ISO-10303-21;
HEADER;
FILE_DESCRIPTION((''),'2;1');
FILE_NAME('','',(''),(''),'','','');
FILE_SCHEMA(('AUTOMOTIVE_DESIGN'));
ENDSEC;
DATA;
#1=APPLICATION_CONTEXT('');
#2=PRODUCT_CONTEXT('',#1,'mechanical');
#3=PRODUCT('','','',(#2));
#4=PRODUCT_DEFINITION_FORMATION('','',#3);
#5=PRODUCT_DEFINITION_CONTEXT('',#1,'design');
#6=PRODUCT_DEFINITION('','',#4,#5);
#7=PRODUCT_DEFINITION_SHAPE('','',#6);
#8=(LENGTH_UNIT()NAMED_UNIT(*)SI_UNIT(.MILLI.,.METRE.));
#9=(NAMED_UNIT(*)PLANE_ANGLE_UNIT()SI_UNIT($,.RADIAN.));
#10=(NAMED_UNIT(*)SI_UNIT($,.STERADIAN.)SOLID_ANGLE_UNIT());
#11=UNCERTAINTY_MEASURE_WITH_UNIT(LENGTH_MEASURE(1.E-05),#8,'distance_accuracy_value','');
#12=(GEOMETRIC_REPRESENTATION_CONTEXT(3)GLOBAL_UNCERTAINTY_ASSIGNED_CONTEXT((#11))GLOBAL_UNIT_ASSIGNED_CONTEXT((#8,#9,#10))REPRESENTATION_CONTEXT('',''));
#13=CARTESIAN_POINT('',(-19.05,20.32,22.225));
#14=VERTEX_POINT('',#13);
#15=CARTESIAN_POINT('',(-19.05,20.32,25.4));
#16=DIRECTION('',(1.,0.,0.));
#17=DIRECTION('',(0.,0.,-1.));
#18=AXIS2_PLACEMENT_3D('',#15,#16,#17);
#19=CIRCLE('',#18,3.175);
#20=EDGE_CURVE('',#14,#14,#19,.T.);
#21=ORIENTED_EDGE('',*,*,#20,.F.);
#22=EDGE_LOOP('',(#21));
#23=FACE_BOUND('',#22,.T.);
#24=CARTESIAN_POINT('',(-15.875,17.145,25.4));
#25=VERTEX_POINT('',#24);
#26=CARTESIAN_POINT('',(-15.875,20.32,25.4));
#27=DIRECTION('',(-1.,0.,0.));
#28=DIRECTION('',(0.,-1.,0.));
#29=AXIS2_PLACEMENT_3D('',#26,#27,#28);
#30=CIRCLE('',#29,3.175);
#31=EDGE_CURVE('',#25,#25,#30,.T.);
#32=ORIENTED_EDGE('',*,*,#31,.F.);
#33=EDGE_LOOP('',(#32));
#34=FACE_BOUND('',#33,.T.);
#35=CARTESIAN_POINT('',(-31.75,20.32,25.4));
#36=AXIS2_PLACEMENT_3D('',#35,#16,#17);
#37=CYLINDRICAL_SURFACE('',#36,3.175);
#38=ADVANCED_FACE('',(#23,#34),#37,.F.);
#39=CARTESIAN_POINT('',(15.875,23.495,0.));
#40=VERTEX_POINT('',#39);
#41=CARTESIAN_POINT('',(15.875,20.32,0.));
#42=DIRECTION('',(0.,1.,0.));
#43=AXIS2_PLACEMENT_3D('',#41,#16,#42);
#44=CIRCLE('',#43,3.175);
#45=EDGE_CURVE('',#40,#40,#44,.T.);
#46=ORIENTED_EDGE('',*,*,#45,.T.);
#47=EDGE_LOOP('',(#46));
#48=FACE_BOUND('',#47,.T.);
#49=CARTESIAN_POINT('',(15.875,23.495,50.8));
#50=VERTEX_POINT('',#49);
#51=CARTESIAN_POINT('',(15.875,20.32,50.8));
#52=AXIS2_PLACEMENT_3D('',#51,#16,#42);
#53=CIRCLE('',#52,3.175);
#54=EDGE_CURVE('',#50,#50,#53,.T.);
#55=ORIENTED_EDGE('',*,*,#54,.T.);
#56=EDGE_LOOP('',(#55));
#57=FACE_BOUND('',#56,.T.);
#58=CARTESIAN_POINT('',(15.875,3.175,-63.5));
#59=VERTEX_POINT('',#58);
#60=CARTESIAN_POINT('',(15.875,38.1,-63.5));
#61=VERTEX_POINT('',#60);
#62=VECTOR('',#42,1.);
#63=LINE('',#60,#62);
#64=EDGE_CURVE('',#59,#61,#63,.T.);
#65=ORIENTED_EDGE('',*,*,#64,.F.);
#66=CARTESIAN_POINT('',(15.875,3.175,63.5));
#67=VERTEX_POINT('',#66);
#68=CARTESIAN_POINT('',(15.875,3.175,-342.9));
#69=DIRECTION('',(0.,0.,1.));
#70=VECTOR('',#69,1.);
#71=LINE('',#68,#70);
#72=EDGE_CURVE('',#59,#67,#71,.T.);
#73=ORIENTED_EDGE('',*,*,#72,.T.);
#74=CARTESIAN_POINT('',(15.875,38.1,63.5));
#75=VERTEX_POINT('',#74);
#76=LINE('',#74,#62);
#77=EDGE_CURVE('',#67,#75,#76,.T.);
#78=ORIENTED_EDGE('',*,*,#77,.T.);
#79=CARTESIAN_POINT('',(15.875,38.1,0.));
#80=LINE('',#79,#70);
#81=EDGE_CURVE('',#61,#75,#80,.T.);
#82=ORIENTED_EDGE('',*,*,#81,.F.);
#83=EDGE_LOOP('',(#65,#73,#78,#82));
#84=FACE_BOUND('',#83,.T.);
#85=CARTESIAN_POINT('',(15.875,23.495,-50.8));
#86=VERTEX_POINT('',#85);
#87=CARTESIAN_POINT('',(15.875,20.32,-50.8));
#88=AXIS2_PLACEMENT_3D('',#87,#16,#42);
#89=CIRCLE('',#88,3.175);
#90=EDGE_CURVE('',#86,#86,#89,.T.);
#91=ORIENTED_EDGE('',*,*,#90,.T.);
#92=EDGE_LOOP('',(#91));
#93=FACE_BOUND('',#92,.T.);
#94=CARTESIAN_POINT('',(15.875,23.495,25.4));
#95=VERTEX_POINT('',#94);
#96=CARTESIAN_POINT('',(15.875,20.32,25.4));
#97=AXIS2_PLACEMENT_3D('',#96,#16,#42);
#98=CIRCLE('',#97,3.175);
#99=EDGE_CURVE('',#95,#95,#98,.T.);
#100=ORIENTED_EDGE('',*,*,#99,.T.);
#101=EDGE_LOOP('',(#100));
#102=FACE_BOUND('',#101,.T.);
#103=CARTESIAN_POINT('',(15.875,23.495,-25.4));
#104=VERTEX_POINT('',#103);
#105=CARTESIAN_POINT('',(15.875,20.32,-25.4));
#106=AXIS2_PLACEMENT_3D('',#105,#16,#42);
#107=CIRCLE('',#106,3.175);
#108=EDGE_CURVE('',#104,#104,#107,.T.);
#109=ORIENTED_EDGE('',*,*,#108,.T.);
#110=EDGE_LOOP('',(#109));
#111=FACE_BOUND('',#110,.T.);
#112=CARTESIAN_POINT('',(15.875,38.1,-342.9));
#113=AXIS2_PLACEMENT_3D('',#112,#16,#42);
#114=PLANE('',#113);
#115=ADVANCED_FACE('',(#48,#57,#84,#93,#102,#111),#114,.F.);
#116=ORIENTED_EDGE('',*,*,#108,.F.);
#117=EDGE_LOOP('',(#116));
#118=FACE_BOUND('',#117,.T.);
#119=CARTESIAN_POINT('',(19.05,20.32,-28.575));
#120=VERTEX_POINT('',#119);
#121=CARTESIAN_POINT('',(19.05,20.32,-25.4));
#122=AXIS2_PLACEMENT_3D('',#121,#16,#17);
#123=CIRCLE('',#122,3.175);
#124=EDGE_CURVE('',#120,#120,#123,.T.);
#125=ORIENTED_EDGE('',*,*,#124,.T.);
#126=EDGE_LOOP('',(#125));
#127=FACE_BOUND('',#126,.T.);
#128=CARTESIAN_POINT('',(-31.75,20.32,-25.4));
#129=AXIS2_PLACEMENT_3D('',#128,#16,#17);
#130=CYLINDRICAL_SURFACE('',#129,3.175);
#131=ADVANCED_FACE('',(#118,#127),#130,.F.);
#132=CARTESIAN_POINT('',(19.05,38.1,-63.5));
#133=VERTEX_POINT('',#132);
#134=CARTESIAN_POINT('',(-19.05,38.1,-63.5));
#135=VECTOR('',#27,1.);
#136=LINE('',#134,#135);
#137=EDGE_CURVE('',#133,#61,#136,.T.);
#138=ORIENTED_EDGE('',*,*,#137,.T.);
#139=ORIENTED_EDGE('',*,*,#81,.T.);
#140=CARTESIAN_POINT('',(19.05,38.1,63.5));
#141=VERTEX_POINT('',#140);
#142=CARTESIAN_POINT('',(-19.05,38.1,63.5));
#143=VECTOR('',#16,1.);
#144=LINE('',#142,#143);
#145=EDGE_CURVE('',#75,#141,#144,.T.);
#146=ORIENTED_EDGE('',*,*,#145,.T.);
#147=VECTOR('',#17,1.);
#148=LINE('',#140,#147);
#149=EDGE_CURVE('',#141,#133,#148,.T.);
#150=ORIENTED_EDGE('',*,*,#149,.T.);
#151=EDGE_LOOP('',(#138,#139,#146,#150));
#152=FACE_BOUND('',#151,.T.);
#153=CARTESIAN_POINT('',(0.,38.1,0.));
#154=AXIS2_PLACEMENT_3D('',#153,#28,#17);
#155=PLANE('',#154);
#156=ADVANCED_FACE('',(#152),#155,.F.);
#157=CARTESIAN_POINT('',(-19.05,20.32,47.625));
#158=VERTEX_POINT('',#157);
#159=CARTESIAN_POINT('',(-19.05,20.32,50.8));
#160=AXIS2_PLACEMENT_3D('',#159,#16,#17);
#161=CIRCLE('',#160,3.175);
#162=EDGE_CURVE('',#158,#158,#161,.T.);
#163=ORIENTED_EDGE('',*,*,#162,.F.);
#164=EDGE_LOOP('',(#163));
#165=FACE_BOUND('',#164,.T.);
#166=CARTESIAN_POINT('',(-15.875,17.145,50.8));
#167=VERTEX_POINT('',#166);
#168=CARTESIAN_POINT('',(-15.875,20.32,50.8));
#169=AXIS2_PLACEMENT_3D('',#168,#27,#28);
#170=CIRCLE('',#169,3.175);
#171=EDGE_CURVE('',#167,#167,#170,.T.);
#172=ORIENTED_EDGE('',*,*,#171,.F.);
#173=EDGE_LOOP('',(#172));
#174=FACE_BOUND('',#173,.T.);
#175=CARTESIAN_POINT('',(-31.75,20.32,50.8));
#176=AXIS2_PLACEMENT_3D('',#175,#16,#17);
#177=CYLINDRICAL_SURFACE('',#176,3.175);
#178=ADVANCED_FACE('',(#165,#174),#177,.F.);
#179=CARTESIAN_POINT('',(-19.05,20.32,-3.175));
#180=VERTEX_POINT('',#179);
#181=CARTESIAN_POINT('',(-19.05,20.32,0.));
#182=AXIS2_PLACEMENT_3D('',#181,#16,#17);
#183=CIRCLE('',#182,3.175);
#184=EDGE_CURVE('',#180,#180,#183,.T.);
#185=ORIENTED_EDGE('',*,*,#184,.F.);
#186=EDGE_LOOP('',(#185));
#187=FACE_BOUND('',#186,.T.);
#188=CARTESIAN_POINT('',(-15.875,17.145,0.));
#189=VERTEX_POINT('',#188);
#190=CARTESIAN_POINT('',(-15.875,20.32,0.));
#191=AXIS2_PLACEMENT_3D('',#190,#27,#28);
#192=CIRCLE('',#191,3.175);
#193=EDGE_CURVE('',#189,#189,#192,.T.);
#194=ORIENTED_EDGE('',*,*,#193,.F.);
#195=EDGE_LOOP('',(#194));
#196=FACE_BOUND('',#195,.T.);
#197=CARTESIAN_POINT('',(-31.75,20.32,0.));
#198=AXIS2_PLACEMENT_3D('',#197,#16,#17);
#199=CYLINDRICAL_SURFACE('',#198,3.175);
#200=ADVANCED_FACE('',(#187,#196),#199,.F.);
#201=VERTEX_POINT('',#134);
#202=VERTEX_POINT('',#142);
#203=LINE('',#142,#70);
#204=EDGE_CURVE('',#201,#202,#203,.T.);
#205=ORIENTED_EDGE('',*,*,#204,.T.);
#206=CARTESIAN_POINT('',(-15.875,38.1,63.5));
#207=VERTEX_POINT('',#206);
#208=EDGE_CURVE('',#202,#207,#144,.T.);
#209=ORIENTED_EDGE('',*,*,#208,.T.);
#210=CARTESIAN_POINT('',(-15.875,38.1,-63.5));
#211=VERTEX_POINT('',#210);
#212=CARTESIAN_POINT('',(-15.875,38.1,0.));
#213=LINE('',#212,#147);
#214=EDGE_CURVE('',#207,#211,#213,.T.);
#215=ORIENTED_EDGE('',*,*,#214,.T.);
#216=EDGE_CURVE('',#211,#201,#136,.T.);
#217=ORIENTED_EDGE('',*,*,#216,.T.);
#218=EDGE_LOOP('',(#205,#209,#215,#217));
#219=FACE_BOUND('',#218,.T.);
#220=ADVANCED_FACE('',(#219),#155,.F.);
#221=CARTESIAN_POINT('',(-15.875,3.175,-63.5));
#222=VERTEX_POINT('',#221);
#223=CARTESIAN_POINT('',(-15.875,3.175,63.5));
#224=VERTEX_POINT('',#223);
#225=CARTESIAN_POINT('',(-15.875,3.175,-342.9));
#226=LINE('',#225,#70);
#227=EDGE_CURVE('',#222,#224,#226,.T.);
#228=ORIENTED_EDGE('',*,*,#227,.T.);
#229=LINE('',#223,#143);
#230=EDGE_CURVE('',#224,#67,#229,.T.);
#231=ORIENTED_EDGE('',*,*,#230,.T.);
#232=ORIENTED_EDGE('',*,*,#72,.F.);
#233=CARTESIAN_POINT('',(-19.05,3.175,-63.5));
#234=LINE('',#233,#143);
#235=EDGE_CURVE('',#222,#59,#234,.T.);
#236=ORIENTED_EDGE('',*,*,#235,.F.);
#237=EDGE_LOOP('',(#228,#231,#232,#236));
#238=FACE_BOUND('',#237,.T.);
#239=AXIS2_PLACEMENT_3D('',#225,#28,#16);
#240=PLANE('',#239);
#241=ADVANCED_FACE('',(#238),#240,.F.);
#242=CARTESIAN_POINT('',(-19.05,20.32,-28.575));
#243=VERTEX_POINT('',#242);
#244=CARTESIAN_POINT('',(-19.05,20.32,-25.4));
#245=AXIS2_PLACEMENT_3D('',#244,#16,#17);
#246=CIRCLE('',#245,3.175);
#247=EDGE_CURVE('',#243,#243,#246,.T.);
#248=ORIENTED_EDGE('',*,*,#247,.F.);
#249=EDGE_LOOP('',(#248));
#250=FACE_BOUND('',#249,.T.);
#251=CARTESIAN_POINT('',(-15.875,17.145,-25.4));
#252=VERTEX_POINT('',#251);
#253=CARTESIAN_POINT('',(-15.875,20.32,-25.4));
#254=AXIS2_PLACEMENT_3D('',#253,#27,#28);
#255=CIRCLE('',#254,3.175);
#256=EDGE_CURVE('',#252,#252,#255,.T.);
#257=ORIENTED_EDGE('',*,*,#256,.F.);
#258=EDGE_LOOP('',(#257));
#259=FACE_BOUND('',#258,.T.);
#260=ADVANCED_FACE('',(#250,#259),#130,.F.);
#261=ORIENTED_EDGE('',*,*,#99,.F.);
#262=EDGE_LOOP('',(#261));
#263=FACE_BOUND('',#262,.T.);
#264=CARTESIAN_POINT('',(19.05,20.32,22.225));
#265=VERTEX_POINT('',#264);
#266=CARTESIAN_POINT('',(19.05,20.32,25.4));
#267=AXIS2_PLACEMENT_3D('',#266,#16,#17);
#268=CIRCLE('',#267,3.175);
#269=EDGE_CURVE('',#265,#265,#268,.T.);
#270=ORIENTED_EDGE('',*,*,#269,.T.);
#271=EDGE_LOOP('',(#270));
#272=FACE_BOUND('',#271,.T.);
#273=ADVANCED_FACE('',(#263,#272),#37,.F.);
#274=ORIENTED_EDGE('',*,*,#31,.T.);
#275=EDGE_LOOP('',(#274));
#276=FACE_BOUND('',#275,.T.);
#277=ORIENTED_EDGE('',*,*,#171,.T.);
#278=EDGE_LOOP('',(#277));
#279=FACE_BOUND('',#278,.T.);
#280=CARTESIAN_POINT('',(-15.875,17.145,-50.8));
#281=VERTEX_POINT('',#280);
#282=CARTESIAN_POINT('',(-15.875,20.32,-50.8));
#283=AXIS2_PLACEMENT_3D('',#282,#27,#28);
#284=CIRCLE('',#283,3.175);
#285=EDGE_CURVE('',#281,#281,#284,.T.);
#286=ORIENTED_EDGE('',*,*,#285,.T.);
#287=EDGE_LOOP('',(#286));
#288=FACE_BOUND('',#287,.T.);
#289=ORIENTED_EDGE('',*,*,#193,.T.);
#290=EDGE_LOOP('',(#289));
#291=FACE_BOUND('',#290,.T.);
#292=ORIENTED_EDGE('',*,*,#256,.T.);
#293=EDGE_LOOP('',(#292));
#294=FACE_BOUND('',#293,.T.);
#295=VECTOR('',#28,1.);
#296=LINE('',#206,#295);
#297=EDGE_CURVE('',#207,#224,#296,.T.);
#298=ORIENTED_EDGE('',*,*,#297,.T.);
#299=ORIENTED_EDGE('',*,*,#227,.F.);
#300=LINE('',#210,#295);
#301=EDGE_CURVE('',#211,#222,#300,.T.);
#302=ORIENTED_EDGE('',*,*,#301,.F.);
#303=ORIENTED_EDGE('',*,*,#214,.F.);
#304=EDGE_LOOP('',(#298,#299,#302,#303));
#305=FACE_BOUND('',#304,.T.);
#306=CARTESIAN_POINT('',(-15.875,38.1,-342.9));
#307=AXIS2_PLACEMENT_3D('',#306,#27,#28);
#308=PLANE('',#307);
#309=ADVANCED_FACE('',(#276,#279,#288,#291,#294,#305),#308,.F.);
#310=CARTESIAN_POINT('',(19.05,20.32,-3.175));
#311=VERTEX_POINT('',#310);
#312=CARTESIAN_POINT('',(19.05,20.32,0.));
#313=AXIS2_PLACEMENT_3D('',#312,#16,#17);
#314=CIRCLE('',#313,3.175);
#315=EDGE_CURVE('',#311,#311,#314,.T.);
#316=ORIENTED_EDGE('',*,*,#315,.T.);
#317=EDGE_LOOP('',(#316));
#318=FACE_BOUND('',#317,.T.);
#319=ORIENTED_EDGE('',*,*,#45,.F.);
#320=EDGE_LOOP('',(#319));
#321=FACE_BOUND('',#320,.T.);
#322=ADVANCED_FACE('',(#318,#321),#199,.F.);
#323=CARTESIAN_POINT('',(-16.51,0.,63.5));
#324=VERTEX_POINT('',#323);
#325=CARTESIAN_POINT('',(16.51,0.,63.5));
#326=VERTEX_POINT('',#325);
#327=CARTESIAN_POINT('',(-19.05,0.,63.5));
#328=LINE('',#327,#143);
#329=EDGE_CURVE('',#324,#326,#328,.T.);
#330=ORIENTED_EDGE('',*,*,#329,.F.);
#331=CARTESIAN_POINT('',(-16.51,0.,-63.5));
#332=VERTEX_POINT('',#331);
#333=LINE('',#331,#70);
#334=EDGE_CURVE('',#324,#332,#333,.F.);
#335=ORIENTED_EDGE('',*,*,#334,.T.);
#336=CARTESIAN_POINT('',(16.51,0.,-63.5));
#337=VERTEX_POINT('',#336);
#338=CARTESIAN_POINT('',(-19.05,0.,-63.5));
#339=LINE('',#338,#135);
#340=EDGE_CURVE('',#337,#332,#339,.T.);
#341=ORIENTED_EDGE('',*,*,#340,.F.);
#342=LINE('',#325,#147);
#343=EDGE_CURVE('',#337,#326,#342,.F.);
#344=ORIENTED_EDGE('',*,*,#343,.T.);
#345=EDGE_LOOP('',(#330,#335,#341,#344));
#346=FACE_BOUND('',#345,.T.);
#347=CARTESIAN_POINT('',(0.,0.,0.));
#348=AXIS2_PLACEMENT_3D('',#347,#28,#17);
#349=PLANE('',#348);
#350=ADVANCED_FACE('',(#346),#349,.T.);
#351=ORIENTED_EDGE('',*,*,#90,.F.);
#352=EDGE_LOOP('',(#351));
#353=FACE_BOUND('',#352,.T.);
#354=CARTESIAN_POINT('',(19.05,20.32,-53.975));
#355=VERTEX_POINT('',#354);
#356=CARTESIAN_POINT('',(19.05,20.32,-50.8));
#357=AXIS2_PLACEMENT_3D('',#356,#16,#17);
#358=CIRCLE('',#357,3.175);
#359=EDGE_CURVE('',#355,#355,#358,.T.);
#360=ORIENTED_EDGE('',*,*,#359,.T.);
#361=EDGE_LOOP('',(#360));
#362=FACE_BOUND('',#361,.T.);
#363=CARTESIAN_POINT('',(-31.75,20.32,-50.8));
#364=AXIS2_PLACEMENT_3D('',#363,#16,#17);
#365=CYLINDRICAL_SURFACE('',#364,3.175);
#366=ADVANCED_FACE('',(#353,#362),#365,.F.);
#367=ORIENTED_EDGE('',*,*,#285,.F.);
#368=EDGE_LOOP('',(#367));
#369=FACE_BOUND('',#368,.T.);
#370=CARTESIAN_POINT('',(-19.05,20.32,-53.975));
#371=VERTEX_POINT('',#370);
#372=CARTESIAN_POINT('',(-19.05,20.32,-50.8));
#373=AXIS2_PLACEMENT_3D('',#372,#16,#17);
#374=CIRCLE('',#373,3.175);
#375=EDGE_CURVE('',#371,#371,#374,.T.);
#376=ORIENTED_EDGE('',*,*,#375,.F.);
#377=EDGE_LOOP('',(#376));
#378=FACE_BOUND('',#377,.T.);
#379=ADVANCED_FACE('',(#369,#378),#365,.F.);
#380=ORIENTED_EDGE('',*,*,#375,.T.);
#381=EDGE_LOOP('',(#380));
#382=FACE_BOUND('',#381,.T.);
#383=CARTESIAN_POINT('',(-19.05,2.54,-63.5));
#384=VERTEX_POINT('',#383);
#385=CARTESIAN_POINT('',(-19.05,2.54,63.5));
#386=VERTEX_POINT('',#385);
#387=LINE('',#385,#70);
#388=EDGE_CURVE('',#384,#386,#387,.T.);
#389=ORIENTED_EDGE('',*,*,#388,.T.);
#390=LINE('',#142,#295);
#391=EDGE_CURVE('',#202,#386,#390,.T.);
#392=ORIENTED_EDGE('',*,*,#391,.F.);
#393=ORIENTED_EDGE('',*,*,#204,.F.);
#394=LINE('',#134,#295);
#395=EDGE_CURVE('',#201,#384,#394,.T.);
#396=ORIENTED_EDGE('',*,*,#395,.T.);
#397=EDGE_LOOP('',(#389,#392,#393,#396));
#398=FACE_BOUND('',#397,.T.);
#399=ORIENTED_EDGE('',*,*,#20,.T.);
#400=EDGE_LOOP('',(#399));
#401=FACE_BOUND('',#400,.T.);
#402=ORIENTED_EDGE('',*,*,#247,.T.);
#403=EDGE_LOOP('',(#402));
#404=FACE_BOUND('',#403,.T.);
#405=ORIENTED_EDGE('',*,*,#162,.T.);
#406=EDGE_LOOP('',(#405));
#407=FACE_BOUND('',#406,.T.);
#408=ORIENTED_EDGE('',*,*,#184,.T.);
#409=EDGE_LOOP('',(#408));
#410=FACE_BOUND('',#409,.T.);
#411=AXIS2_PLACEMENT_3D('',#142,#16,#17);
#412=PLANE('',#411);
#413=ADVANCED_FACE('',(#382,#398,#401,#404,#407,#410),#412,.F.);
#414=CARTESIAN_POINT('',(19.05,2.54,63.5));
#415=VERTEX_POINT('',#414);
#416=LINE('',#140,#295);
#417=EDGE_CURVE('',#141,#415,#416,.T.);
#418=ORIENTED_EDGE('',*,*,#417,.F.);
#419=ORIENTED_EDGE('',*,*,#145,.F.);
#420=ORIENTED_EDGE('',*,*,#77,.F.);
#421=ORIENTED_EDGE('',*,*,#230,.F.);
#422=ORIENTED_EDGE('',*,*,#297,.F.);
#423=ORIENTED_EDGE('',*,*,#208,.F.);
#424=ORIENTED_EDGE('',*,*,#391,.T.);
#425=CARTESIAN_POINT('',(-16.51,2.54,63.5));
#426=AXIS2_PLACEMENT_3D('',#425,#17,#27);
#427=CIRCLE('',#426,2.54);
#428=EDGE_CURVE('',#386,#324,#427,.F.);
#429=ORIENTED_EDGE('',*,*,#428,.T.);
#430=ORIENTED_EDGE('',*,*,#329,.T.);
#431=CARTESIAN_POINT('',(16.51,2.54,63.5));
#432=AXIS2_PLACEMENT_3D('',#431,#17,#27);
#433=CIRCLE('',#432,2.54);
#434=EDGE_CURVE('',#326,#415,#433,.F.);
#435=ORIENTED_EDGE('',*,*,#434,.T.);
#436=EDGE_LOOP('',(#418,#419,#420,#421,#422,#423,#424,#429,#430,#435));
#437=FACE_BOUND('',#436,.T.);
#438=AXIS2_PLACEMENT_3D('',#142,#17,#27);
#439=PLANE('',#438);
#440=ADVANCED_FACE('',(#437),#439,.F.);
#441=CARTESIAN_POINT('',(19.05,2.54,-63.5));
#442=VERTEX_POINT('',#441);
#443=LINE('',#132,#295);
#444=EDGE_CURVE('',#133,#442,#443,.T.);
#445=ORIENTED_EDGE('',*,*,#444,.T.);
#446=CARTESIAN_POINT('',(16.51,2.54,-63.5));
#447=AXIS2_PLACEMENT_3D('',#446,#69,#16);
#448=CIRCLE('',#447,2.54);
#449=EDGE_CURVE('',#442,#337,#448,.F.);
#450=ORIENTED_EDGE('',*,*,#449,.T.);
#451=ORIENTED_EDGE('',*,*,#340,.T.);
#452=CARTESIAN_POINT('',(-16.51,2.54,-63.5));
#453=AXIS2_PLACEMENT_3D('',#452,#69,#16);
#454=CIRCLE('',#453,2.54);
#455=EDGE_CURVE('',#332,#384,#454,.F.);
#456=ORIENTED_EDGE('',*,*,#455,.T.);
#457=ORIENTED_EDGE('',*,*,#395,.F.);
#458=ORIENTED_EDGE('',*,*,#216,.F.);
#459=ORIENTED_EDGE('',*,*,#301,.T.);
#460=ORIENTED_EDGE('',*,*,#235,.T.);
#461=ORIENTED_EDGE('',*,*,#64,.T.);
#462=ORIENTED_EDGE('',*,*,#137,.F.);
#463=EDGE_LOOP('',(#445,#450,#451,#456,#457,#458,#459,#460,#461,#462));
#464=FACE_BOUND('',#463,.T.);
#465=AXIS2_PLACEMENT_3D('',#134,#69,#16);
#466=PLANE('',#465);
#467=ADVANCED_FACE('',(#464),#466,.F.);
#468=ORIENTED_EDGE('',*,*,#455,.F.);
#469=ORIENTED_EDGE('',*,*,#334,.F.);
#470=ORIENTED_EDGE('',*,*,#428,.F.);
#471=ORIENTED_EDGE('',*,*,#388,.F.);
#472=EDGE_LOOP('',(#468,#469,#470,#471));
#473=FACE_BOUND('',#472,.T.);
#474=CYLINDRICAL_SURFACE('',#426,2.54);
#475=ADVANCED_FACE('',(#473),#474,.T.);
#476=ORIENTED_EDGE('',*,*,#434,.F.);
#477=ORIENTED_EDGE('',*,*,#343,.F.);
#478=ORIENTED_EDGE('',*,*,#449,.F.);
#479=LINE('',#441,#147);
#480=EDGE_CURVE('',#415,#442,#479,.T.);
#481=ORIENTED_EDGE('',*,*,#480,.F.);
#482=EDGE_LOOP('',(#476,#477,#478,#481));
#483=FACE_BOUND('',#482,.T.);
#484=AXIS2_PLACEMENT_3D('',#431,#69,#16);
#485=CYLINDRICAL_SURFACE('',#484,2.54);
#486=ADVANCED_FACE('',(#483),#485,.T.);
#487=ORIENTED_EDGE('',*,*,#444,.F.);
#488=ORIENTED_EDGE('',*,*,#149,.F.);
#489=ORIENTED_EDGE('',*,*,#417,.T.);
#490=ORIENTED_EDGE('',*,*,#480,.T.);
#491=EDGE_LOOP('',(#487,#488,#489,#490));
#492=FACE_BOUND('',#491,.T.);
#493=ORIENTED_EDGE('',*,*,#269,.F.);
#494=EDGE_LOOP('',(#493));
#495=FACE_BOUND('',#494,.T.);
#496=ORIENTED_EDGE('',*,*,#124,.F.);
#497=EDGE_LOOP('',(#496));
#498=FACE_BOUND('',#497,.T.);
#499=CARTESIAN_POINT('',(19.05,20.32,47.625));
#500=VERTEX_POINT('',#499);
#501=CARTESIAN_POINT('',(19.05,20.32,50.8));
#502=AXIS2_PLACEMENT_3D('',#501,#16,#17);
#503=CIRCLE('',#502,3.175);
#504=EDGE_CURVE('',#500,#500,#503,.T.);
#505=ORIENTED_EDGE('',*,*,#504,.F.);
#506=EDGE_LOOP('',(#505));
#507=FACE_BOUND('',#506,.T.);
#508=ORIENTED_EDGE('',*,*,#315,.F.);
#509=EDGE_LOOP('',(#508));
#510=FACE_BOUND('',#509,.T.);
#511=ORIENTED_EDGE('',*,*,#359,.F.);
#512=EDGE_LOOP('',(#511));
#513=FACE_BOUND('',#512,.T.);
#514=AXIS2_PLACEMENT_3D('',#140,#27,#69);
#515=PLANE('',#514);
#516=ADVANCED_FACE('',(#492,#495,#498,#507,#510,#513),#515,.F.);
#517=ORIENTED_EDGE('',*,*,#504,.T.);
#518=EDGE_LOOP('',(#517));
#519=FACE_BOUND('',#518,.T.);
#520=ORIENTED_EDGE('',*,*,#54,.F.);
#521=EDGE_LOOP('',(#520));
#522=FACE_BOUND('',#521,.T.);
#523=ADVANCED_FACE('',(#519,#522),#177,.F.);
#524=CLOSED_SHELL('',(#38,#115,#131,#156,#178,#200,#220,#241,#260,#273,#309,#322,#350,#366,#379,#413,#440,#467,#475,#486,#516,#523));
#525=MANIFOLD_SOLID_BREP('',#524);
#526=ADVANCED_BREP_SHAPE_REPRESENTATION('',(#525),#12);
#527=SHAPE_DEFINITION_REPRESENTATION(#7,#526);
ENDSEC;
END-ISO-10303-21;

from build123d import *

# Parameters (mm, degrees)
SKETCH2_W           = 38.1
SKETCH2_H           = 127
BOSS_EXTRUDE1_DEPTH = 38.1
SKETCH3_W           = 31.75
SKETCH3_H           = 34.925
CUT_EXTRUDE1_DEPTH  = 406.4
FILLET1_R           = 2.54
SKETCH4_R           = 3.175
CUT_EXTRUDE2_DEPTH  = 50.8


with BuildPart() as part:
    # Sketch2 → Boss-Extrude1 (new body)
    with BuildSketch(Plane(origin=(0, 0, 0), x_dir=(1, 0, 0), z_dir=(0, 1, 0))):
        Rectangle(SKETCH2_W, SKETCH2_H)
    extrude(amount=BOSS_EXTRUDE1_DEPTH)

    # Sketch3 → Cut-Extrude1 (cut)
    with BuildSketch(Plane.XY.offset(63.5)):
        with Locations((0, 20.6375)):
            Rectangle(SKETCH3_W, SKETCH3_H)
    extrude(amount=-CUT_EXTRUDE1_DEPTH, mode=Mode.SUBTRACT)

    # Fillet1
    fillet1_edges = [part.edges().sort_by_distance(p)[0] for p in [
        (-19.05, 0, 0),
        (19.05, 0, 0),
    ]]
    fillet(fillet1_edges, radius=FILLET1_R)

    # Sketch4 → Cut-Extrude2 (cut)
    with BuildSketch(Plane(origin=(19.05, 0, 0), x_dir=(0, 0, -1), z_dir=(1, 0, 0))):
        with Locations((-50.8, 20.32)):
            Circle(SKETCH4_R)
        with Locations((-25.4, 20.32)):
            Circle(SKETCH4_R)
        with Locations((0, 20.32)):
            Circle(SKETCH4_R)
        with Locations((25.4, 20.32)):
            Circle(SKETCH4_R)
        with Locations((50.8, 20.32)):
            Circle(SKETCH4_R)
    extrude(amount=-CUT_EXTRUDE2_DEPTH, mode=Mode.SUBTRACT)


solid = part.part
